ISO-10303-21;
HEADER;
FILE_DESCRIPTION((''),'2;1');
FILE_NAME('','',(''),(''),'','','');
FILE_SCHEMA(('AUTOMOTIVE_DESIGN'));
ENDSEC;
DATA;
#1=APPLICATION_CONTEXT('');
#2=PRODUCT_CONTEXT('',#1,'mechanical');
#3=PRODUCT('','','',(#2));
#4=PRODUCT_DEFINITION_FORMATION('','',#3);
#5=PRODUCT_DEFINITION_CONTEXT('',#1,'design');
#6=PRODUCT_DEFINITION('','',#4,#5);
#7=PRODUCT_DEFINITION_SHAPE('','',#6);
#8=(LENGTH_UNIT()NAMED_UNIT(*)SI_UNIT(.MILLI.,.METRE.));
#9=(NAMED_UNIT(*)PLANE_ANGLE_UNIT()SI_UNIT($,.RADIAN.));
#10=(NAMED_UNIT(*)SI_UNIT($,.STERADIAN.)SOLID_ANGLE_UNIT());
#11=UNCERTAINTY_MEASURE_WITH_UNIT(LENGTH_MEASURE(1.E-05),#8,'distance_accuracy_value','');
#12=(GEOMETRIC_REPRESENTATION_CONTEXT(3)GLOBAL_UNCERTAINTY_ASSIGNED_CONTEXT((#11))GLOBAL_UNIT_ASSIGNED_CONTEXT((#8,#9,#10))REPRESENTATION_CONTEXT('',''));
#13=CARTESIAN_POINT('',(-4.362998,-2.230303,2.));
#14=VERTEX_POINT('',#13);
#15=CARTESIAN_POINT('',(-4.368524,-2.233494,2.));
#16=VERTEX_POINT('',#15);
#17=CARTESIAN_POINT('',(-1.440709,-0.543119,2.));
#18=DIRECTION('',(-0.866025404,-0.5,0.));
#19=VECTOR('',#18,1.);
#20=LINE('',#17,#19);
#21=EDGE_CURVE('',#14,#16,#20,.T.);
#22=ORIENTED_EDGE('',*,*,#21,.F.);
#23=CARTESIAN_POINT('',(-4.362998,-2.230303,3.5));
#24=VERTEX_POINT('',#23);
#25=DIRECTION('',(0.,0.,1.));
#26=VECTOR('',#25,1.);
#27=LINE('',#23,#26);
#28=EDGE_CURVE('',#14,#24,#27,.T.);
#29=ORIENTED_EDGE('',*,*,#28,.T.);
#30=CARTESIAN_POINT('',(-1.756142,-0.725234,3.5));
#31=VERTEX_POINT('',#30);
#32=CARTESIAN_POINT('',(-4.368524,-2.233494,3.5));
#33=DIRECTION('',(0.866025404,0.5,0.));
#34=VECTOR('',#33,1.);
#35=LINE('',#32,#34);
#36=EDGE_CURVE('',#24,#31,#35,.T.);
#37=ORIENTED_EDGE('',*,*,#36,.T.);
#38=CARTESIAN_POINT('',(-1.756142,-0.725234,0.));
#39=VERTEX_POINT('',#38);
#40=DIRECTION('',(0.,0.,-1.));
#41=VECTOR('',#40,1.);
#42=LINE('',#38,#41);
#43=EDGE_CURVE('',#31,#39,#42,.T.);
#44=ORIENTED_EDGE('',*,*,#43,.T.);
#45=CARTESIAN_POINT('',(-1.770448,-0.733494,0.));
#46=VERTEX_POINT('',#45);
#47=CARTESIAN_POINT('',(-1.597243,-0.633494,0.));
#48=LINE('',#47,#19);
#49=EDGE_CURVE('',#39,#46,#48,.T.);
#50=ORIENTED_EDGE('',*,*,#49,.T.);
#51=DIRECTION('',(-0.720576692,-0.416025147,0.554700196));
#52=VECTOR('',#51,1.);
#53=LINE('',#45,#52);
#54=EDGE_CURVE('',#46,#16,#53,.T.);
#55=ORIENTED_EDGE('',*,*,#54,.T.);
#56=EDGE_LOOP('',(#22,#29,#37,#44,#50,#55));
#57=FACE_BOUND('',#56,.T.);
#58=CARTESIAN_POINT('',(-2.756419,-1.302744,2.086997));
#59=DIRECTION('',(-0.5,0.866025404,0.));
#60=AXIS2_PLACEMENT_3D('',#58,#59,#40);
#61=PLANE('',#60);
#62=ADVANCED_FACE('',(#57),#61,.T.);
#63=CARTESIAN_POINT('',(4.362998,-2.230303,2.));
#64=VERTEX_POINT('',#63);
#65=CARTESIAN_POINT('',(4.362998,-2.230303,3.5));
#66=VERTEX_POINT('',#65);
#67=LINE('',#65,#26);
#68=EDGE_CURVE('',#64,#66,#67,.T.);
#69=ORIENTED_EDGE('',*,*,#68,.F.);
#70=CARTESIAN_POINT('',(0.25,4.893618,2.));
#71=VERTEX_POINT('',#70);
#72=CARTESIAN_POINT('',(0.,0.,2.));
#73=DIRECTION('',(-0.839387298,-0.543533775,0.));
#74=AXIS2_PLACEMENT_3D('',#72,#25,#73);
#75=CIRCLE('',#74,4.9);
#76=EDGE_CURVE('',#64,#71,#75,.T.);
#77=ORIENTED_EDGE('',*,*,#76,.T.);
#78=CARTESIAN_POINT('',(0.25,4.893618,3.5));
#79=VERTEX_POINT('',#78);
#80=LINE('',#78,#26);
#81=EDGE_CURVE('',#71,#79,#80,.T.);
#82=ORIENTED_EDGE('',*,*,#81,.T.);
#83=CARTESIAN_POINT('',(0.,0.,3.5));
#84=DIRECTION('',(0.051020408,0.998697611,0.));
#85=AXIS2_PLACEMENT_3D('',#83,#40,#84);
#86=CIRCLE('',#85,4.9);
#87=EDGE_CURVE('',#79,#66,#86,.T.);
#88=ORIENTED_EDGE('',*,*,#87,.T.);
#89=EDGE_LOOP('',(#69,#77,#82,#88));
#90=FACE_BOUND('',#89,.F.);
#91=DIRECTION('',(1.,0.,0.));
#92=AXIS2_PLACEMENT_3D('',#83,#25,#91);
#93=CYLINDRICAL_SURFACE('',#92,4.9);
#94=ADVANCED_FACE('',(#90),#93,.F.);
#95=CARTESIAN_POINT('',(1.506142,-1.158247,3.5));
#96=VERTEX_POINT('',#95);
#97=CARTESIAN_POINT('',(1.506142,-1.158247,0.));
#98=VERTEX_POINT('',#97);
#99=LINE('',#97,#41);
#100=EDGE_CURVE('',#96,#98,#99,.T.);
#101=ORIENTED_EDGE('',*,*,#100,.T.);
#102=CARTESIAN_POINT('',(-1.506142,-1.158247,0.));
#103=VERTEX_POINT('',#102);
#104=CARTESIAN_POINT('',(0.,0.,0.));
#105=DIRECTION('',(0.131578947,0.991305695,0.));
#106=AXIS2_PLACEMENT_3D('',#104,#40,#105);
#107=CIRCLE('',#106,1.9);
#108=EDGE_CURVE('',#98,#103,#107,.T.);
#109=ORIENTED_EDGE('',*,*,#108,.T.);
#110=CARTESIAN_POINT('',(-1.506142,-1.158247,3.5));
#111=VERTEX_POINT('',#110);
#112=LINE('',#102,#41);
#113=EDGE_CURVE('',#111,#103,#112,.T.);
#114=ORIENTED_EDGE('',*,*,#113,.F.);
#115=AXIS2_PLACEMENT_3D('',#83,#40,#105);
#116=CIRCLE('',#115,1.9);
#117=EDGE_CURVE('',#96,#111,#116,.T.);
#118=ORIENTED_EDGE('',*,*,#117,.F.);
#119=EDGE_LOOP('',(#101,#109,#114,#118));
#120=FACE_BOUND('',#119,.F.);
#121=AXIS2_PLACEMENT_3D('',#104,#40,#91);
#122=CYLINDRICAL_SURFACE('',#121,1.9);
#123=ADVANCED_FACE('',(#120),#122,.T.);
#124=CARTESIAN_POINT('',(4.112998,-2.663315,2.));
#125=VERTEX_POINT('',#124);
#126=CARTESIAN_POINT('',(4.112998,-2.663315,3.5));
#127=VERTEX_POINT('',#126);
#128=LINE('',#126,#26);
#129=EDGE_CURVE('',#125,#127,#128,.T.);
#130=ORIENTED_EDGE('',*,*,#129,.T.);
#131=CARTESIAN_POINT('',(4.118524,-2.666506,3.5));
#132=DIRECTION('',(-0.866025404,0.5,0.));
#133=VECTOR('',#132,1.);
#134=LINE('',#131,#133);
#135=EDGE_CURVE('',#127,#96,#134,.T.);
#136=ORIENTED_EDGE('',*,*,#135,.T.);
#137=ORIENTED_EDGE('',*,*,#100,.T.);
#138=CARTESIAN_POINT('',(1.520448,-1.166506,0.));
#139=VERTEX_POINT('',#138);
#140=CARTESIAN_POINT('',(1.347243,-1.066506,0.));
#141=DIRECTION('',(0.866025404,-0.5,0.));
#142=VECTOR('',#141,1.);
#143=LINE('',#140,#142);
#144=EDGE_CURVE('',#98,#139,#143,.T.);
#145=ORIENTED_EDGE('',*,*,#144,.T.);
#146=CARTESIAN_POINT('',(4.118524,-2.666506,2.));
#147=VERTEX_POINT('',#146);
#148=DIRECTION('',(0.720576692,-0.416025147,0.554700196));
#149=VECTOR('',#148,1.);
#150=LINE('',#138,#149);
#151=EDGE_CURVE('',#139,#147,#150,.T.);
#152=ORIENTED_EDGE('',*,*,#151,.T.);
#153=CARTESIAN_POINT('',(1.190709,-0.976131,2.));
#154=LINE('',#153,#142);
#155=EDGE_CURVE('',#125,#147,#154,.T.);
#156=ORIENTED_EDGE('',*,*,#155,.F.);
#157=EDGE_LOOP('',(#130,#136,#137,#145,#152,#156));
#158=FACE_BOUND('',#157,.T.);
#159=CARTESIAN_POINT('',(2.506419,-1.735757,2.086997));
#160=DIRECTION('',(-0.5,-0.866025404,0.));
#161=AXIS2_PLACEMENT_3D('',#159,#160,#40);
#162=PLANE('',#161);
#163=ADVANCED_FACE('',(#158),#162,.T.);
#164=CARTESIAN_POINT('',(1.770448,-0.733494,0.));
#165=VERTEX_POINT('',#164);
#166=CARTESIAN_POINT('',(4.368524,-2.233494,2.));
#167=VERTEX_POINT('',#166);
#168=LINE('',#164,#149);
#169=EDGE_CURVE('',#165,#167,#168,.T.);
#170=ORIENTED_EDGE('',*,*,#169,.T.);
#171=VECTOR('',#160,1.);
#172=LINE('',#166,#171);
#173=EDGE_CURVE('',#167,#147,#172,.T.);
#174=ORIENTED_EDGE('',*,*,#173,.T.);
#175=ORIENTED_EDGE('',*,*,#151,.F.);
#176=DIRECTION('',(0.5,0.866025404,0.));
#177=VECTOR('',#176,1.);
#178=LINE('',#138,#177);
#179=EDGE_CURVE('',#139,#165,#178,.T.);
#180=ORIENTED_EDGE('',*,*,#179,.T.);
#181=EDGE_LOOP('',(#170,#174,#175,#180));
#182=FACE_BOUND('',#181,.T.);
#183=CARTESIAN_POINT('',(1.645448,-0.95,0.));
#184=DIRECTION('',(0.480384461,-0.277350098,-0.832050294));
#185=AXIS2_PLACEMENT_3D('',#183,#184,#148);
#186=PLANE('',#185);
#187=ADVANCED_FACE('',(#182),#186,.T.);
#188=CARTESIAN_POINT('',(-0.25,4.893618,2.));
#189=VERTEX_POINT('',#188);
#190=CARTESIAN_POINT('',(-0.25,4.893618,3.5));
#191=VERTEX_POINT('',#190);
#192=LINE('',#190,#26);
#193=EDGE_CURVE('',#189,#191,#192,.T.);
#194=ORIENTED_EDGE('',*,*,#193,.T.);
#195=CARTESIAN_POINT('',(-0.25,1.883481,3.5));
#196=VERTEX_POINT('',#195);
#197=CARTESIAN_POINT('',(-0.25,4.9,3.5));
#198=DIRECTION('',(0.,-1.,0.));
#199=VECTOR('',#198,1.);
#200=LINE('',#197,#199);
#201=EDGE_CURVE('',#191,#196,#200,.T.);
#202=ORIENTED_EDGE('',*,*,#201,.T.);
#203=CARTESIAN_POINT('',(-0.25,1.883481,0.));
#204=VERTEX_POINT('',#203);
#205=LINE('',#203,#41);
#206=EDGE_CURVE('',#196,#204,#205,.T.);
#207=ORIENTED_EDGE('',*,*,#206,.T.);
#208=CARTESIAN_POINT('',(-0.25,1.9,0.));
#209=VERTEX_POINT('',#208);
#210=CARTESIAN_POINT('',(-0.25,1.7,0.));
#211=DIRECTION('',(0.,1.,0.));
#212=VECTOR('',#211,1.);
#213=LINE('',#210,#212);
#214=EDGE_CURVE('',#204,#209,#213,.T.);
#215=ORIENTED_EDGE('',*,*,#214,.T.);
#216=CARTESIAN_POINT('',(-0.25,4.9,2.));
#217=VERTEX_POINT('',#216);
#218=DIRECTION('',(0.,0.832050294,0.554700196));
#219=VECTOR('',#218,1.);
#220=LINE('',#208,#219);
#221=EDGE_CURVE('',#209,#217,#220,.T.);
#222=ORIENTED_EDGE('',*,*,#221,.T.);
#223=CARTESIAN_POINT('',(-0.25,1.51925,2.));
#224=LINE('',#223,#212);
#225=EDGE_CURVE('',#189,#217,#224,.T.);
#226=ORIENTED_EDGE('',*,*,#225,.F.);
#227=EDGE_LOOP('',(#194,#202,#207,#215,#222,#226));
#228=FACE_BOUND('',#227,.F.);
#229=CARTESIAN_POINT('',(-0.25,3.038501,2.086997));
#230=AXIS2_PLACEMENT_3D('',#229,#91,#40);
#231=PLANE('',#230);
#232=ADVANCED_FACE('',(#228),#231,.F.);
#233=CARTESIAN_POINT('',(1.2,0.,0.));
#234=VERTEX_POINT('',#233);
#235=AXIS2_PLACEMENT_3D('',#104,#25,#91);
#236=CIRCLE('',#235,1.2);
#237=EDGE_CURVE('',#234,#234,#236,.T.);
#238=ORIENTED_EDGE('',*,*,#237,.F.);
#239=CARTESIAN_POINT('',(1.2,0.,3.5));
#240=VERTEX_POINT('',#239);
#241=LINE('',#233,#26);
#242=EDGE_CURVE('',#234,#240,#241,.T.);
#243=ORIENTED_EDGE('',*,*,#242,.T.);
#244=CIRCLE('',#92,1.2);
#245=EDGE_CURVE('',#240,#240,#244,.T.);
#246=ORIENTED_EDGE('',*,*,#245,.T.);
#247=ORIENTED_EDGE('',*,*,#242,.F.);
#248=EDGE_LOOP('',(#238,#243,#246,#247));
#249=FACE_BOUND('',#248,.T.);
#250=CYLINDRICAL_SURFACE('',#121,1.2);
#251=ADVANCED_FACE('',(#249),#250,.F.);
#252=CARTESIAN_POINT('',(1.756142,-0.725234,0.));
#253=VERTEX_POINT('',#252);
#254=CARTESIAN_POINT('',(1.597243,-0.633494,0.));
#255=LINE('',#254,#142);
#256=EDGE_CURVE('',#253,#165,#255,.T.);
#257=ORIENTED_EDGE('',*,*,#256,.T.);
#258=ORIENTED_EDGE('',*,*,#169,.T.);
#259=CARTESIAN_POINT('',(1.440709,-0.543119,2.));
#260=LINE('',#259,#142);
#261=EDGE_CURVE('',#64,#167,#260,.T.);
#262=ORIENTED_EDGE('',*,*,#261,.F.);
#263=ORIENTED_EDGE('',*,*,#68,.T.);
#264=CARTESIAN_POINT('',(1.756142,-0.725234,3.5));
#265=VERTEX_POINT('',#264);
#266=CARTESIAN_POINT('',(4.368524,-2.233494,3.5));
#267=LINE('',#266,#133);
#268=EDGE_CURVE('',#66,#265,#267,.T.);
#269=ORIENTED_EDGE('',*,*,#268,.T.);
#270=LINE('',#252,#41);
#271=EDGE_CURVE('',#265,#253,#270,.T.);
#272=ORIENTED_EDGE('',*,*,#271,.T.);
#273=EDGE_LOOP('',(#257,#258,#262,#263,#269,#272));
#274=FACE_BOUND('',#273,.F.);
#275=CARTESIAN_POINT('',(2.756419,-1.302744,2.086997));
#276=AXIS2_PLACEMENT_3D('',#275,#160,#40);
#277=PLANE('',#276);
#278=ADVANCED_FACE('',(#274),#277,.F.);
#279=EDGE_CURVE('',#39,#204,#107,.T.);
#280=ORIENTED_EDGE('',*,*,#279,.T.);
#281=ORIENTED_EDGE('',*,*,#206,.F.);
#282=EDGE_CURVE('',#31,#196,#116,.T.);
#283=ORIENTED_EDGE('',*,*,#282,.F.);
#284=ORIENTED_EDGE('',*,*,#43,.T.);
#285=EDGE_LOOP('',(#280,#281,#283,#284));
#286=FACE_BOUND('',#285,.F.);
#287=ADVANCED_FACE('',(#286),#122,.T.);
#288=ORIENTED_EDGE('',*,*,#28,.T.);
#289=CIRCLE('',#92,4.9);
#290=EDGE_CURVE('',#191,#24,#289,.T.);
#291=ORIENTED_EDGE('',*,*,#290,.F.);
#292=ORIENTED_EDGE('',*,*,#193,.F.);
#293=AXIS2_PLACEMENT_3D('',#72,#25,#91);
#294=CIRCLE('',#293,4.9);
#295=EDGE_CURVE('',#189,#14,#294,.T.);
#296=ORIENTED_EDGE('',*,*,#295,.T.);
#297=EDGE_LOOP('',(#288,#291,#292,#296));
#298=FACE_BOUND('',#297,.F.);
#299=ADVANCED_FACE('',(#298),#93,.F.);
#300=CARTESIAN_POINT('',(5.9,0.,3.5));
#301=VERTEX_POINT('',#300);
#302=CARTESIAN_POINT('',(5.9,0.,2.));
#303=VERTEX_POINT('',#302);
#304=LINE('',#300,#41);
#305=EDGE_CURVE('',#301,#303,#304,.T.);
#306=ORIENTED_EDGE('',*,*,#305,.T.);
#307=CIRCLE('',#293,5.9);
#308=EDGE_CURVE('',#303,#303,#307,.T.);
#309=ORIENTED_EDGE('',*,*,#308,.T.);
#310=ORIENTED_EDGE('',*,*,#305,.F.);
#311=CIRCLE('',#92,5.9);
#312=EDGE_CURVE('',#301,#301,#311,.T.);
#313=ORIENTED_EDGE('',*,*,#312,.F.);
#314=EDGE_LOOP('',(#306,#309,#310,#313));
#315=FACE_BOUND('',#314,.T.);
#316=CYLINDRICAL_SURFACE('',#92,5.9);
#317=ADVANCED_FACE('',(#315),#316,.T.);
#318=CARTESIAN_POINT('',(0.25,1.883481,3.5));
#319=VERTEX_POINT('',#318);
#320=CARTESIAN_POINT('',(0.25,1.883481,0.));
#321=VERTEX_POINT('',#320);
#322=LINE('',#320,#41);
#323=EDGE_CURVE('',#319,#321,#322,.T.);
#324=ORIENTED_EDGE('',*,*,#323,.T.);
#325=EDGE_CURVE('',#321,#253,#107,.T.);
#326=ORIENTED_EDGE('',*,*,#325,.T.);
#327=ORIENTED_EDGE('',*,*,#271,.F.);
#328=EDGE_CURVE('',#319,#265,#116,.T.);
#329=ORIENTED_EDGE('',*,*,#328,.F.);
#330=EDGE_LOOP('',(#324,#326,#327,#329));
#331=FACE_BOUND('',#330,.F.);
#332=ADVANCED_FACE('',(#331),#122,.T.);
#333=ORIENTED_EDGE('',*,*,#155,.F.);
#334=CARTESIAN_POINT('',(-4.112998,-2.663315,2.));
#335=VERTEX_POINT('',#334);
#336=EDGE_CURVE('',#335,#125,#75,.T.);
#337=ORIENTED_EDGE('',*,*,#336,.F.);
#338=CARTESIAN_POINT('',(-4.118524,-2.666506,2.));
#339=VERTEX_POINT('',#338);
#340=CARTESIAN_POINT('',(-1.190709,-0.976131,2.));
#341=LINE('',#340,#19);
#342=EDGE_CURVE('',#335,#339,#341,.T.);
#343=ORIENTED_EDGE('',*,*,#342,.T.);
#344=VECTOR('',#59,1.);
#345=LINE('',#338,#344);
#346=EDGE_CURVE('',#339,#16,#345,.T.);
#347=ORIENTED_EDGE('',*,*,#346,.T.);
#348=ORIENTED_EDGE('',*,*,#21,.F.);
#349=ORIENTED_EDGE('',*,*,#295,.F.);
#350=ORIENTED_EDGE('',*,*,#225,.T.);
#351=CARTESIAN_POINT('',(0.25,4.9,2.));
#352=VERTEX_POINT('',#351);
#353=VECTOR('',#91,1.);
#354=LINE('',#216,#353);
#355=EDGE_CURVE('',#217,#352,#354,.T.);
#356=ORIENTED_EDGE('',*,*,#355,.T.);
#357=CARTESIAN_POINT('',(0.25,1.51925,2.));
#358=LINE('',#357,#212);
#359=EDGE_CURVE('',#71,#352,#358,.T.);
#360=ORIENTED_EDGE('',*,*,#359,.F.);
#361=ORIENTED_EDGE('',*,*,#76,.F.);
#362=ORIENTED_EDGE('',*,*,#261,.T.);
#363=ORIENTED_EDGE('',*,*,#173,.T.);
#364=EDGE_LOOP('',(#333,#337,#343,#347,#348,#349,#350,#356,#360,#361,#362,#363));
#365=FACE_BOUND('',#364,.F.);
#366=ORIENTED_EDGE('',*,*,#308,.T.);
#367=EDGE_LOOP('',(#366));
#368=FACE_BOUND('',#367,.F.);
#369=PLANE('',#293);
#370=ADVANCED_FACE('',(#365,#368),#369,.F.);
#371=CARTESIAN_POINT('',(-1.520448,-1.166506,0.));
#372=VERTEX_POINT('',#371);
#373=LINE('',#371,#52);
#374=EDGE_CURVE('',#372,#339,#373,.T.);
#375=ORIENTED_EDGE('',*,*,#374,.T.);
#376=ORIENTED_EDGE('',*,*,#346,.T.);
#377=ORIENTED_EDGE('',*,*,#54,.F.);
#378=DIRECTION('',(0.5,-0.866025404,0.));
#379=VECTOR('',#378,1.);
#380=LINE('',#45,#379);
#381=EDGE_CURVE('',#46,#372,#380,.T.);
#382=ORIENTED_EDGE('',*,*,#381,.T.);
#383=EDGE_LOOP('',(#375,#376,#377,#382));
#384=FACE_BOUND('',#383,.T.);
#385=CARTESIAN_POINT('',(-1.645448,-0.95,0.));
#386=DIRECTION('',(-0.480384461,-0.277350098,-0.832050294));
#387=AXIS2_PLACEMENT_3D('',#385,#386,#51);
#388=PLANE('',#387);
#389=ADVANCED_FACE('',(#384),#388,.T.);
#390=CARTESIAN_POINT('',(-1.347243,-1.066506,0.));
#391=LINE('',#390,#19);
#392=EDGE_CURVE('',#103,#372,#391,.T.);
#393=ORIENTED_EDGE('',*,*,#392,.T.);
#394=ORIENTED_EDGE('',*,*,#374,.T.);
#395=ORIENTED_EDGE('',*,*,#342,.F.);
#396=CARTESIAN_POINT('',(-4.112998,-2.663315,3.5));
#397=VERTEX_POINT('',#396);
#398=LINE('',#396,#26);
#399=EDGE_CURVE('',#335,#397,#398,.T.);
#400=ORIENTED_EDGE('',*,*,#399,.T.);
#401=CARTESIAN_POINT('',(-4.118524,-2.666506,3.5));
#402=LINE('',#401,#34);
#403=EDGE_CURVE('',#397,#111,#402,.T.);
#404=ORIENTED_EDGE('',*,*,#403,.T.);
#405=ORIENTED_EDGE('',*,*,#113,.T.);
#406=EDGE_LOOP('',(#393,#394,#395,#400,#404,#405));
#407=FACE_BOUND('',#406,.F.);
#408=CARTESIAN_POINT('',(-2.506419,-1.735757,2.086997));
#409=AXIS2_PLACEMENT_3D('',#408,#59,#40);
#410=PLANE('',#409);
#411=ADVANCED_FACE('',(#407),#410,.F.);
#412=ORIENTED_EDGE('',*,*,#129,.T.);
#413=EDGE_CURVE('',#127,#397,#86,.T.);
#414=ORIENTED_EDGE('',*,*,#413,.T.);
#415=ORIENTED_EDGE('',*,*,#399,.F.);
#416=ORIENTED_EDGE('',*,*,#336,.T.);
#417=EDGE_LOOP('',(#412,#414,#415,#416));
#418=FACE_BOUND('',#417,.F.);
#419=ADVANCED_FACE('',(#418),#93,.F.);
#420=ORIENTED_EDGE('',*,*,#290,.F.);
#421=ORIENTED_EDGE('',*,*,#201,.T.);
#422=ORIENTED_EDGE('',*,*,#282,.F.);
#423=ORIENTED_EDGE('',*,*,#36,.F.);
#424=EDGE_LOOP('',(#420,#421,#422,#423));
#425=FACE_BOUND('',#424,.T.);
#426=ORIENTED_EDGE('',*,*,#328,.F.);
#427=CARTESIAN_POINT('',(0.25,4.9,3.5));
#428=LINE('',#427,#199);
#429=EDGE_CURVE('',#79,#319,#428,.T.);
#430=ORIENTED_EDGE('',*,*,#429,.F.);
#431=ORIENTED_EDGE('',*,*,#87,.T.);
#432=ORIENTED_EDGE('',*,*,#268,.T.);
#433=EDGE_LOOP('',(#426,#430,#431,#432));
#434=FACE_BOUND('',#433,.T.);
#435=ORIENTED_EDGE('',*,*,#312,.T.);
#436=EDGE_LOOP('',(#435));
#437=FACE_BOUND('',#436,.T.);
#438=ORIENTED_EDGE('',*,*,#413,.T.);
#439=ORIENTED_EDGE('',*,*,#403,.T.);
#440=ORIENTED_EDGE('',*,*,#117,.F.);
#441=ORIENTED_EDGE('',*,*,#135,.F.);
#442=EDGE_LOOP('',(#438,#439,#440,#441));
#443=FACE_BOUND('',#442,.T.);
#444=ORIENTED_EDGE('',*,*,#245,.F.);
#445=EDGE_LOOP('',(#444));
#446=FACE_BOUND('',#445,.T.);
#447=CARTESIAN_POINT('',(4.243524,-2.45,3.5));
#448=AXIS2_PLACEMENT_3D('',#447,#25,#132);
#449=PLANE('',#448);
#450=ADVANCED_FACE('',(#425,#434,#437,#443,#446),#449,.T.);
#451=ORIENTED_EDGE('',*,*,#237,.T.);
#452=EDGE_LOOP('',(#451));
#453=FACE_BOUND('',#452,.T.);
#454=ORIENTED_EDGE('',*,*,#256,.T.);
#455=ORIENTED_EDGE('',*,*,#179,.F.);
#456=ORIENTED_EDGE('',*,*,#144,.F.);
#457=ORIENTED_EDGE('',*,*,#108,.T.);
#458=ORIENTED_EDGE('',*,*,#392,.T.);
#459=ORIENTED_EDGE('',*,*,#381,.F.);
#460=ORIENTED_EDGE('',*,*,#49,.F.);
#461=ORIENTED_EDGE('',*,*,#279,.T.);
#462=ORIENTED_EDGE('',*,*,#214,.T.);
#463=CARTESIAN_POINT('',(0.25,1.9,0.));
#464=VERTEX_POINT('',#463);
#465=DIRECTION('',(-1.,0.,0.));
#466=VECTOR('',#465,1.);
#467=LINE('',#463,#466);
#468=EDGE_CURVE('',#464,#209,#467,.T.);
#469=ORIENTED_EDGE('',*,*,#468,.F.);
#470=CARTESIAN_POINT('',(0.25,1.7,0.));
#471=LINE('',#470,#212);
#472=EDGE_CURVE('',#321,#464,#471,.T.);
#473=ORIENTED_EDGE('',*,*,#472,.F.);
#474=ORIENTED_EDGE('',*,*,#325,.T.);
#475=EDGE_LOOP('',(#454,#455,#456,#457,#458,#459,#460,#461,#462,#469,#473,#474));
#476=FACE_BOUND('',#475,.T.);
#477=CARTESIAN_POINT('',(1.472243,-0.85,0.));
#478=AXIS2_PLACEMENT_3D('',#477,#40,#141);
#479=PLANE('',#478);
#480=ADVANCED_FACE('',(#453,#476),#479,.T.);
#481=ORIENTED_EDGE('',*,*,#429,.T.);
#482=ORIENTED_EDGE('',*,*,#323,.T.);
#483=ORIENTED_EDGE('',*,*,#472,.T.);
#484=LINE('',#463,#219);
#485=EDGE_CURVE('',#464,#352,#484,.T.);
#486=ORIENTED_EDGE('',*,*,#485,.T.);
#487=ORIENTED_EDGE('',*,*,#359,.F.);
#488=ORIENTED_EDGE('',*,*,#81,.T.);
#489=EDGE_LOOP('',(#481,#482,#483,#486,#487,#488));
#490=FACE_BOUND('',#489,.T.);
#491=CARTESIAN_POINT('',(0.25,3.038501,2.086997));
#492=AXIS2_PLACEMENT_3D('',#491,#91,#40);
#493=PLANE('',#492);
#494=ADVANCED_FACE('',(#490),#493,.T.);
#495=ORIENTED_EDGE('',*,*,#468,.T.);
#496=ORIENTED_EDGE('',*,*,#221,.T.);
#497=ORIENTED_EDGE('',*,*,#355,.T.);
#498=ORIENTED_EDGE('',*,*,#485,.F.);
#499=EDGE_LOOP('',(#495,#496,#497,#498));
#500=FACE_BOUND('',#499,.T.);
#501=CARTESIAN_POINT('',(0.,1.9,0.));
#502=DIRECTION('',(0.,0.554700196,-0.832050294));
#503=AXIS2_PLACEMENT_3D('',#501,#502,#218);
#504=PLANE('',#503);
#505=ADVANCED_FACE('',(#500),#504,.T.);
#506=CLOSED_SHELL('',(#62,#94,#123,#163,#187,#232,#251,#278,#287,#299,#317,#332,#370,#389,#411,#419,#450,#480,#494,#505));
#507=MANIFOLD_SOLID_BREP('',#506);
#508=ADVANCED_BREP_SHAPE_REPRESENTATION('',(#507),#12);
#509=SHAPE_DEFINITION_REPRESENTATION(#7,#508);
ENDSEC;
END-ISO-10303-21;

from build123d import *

# Parameters (mm, degrees)
SKETCH1_R           = 1.9
SKETCH1_R_2         = 1.2
BOSS_EXTRUDE1_DEPTH = 3.5
SKETCH2_R           = 5.9
SKETCH2_R_2         = 4.9
BOSS_EXTRUDE2_DEPTH = 1.5
BOSS_EXTRUDE3_DEPTH = 0.25
CIRPATTERN1_COUNT   = 3


with BuildPart() as part:
    # Sketch1 → Boss-Extrude1 (new body)
    with BuildSketch(Plane.XY):
        Circle(SKETCH1_R)
        Circle(SKETCH1_R_2, mode=Mode.SUBTRACT)
    extrude(amount=BOSS_EXTRUDE1_DEPTH)



with BuildPart() as body_2:
    # Sketch2 → Boss-Extrude2 (new body)
    with BuildSketch(Plane.XY.offset(3.5)):
        Circle(SKETCH2_R)
        Circle(SKETCH2_R_2, mode=Mode.SUBTRACT)
    extrude(amount=-BOSS_EXTRUDE2_DEPTH)


with BuildPart() as part_1:
    add(part.part)

    add(body_2.part)  # Boss-Extrude3 merges body 2
    # Sketch3 → Boss-Extrude3 (add, symmetric)
    with BuildSketch(Plane(origin=(0, 0, 0), x_dir=(0, 0, -1), z_dir=(1, 0, 0))):
        Polygon((0, 1.9), (-2, 4.9), (-3.5, 4.9), (-3.5, 1.9), (-3.5, 1.7), (0, 1.7), align=None)
    boss_extrude3 = extrude(amount=BOSS_EXTRUDE3_DEPTH, both=True)

    # CirPattern1: Boss-Extrude3 ×3 about axis
    cirpattern1_axis = Axis((0, 0, 0), (0, 0, 1))
    for i in range(1, CIRPATTERN1_COUNT):
        add(boss_extrude3.rotate(cirpattern1_axis, i * 360 / CIRPATTERN1_COUNT))


solid = part_1.part
